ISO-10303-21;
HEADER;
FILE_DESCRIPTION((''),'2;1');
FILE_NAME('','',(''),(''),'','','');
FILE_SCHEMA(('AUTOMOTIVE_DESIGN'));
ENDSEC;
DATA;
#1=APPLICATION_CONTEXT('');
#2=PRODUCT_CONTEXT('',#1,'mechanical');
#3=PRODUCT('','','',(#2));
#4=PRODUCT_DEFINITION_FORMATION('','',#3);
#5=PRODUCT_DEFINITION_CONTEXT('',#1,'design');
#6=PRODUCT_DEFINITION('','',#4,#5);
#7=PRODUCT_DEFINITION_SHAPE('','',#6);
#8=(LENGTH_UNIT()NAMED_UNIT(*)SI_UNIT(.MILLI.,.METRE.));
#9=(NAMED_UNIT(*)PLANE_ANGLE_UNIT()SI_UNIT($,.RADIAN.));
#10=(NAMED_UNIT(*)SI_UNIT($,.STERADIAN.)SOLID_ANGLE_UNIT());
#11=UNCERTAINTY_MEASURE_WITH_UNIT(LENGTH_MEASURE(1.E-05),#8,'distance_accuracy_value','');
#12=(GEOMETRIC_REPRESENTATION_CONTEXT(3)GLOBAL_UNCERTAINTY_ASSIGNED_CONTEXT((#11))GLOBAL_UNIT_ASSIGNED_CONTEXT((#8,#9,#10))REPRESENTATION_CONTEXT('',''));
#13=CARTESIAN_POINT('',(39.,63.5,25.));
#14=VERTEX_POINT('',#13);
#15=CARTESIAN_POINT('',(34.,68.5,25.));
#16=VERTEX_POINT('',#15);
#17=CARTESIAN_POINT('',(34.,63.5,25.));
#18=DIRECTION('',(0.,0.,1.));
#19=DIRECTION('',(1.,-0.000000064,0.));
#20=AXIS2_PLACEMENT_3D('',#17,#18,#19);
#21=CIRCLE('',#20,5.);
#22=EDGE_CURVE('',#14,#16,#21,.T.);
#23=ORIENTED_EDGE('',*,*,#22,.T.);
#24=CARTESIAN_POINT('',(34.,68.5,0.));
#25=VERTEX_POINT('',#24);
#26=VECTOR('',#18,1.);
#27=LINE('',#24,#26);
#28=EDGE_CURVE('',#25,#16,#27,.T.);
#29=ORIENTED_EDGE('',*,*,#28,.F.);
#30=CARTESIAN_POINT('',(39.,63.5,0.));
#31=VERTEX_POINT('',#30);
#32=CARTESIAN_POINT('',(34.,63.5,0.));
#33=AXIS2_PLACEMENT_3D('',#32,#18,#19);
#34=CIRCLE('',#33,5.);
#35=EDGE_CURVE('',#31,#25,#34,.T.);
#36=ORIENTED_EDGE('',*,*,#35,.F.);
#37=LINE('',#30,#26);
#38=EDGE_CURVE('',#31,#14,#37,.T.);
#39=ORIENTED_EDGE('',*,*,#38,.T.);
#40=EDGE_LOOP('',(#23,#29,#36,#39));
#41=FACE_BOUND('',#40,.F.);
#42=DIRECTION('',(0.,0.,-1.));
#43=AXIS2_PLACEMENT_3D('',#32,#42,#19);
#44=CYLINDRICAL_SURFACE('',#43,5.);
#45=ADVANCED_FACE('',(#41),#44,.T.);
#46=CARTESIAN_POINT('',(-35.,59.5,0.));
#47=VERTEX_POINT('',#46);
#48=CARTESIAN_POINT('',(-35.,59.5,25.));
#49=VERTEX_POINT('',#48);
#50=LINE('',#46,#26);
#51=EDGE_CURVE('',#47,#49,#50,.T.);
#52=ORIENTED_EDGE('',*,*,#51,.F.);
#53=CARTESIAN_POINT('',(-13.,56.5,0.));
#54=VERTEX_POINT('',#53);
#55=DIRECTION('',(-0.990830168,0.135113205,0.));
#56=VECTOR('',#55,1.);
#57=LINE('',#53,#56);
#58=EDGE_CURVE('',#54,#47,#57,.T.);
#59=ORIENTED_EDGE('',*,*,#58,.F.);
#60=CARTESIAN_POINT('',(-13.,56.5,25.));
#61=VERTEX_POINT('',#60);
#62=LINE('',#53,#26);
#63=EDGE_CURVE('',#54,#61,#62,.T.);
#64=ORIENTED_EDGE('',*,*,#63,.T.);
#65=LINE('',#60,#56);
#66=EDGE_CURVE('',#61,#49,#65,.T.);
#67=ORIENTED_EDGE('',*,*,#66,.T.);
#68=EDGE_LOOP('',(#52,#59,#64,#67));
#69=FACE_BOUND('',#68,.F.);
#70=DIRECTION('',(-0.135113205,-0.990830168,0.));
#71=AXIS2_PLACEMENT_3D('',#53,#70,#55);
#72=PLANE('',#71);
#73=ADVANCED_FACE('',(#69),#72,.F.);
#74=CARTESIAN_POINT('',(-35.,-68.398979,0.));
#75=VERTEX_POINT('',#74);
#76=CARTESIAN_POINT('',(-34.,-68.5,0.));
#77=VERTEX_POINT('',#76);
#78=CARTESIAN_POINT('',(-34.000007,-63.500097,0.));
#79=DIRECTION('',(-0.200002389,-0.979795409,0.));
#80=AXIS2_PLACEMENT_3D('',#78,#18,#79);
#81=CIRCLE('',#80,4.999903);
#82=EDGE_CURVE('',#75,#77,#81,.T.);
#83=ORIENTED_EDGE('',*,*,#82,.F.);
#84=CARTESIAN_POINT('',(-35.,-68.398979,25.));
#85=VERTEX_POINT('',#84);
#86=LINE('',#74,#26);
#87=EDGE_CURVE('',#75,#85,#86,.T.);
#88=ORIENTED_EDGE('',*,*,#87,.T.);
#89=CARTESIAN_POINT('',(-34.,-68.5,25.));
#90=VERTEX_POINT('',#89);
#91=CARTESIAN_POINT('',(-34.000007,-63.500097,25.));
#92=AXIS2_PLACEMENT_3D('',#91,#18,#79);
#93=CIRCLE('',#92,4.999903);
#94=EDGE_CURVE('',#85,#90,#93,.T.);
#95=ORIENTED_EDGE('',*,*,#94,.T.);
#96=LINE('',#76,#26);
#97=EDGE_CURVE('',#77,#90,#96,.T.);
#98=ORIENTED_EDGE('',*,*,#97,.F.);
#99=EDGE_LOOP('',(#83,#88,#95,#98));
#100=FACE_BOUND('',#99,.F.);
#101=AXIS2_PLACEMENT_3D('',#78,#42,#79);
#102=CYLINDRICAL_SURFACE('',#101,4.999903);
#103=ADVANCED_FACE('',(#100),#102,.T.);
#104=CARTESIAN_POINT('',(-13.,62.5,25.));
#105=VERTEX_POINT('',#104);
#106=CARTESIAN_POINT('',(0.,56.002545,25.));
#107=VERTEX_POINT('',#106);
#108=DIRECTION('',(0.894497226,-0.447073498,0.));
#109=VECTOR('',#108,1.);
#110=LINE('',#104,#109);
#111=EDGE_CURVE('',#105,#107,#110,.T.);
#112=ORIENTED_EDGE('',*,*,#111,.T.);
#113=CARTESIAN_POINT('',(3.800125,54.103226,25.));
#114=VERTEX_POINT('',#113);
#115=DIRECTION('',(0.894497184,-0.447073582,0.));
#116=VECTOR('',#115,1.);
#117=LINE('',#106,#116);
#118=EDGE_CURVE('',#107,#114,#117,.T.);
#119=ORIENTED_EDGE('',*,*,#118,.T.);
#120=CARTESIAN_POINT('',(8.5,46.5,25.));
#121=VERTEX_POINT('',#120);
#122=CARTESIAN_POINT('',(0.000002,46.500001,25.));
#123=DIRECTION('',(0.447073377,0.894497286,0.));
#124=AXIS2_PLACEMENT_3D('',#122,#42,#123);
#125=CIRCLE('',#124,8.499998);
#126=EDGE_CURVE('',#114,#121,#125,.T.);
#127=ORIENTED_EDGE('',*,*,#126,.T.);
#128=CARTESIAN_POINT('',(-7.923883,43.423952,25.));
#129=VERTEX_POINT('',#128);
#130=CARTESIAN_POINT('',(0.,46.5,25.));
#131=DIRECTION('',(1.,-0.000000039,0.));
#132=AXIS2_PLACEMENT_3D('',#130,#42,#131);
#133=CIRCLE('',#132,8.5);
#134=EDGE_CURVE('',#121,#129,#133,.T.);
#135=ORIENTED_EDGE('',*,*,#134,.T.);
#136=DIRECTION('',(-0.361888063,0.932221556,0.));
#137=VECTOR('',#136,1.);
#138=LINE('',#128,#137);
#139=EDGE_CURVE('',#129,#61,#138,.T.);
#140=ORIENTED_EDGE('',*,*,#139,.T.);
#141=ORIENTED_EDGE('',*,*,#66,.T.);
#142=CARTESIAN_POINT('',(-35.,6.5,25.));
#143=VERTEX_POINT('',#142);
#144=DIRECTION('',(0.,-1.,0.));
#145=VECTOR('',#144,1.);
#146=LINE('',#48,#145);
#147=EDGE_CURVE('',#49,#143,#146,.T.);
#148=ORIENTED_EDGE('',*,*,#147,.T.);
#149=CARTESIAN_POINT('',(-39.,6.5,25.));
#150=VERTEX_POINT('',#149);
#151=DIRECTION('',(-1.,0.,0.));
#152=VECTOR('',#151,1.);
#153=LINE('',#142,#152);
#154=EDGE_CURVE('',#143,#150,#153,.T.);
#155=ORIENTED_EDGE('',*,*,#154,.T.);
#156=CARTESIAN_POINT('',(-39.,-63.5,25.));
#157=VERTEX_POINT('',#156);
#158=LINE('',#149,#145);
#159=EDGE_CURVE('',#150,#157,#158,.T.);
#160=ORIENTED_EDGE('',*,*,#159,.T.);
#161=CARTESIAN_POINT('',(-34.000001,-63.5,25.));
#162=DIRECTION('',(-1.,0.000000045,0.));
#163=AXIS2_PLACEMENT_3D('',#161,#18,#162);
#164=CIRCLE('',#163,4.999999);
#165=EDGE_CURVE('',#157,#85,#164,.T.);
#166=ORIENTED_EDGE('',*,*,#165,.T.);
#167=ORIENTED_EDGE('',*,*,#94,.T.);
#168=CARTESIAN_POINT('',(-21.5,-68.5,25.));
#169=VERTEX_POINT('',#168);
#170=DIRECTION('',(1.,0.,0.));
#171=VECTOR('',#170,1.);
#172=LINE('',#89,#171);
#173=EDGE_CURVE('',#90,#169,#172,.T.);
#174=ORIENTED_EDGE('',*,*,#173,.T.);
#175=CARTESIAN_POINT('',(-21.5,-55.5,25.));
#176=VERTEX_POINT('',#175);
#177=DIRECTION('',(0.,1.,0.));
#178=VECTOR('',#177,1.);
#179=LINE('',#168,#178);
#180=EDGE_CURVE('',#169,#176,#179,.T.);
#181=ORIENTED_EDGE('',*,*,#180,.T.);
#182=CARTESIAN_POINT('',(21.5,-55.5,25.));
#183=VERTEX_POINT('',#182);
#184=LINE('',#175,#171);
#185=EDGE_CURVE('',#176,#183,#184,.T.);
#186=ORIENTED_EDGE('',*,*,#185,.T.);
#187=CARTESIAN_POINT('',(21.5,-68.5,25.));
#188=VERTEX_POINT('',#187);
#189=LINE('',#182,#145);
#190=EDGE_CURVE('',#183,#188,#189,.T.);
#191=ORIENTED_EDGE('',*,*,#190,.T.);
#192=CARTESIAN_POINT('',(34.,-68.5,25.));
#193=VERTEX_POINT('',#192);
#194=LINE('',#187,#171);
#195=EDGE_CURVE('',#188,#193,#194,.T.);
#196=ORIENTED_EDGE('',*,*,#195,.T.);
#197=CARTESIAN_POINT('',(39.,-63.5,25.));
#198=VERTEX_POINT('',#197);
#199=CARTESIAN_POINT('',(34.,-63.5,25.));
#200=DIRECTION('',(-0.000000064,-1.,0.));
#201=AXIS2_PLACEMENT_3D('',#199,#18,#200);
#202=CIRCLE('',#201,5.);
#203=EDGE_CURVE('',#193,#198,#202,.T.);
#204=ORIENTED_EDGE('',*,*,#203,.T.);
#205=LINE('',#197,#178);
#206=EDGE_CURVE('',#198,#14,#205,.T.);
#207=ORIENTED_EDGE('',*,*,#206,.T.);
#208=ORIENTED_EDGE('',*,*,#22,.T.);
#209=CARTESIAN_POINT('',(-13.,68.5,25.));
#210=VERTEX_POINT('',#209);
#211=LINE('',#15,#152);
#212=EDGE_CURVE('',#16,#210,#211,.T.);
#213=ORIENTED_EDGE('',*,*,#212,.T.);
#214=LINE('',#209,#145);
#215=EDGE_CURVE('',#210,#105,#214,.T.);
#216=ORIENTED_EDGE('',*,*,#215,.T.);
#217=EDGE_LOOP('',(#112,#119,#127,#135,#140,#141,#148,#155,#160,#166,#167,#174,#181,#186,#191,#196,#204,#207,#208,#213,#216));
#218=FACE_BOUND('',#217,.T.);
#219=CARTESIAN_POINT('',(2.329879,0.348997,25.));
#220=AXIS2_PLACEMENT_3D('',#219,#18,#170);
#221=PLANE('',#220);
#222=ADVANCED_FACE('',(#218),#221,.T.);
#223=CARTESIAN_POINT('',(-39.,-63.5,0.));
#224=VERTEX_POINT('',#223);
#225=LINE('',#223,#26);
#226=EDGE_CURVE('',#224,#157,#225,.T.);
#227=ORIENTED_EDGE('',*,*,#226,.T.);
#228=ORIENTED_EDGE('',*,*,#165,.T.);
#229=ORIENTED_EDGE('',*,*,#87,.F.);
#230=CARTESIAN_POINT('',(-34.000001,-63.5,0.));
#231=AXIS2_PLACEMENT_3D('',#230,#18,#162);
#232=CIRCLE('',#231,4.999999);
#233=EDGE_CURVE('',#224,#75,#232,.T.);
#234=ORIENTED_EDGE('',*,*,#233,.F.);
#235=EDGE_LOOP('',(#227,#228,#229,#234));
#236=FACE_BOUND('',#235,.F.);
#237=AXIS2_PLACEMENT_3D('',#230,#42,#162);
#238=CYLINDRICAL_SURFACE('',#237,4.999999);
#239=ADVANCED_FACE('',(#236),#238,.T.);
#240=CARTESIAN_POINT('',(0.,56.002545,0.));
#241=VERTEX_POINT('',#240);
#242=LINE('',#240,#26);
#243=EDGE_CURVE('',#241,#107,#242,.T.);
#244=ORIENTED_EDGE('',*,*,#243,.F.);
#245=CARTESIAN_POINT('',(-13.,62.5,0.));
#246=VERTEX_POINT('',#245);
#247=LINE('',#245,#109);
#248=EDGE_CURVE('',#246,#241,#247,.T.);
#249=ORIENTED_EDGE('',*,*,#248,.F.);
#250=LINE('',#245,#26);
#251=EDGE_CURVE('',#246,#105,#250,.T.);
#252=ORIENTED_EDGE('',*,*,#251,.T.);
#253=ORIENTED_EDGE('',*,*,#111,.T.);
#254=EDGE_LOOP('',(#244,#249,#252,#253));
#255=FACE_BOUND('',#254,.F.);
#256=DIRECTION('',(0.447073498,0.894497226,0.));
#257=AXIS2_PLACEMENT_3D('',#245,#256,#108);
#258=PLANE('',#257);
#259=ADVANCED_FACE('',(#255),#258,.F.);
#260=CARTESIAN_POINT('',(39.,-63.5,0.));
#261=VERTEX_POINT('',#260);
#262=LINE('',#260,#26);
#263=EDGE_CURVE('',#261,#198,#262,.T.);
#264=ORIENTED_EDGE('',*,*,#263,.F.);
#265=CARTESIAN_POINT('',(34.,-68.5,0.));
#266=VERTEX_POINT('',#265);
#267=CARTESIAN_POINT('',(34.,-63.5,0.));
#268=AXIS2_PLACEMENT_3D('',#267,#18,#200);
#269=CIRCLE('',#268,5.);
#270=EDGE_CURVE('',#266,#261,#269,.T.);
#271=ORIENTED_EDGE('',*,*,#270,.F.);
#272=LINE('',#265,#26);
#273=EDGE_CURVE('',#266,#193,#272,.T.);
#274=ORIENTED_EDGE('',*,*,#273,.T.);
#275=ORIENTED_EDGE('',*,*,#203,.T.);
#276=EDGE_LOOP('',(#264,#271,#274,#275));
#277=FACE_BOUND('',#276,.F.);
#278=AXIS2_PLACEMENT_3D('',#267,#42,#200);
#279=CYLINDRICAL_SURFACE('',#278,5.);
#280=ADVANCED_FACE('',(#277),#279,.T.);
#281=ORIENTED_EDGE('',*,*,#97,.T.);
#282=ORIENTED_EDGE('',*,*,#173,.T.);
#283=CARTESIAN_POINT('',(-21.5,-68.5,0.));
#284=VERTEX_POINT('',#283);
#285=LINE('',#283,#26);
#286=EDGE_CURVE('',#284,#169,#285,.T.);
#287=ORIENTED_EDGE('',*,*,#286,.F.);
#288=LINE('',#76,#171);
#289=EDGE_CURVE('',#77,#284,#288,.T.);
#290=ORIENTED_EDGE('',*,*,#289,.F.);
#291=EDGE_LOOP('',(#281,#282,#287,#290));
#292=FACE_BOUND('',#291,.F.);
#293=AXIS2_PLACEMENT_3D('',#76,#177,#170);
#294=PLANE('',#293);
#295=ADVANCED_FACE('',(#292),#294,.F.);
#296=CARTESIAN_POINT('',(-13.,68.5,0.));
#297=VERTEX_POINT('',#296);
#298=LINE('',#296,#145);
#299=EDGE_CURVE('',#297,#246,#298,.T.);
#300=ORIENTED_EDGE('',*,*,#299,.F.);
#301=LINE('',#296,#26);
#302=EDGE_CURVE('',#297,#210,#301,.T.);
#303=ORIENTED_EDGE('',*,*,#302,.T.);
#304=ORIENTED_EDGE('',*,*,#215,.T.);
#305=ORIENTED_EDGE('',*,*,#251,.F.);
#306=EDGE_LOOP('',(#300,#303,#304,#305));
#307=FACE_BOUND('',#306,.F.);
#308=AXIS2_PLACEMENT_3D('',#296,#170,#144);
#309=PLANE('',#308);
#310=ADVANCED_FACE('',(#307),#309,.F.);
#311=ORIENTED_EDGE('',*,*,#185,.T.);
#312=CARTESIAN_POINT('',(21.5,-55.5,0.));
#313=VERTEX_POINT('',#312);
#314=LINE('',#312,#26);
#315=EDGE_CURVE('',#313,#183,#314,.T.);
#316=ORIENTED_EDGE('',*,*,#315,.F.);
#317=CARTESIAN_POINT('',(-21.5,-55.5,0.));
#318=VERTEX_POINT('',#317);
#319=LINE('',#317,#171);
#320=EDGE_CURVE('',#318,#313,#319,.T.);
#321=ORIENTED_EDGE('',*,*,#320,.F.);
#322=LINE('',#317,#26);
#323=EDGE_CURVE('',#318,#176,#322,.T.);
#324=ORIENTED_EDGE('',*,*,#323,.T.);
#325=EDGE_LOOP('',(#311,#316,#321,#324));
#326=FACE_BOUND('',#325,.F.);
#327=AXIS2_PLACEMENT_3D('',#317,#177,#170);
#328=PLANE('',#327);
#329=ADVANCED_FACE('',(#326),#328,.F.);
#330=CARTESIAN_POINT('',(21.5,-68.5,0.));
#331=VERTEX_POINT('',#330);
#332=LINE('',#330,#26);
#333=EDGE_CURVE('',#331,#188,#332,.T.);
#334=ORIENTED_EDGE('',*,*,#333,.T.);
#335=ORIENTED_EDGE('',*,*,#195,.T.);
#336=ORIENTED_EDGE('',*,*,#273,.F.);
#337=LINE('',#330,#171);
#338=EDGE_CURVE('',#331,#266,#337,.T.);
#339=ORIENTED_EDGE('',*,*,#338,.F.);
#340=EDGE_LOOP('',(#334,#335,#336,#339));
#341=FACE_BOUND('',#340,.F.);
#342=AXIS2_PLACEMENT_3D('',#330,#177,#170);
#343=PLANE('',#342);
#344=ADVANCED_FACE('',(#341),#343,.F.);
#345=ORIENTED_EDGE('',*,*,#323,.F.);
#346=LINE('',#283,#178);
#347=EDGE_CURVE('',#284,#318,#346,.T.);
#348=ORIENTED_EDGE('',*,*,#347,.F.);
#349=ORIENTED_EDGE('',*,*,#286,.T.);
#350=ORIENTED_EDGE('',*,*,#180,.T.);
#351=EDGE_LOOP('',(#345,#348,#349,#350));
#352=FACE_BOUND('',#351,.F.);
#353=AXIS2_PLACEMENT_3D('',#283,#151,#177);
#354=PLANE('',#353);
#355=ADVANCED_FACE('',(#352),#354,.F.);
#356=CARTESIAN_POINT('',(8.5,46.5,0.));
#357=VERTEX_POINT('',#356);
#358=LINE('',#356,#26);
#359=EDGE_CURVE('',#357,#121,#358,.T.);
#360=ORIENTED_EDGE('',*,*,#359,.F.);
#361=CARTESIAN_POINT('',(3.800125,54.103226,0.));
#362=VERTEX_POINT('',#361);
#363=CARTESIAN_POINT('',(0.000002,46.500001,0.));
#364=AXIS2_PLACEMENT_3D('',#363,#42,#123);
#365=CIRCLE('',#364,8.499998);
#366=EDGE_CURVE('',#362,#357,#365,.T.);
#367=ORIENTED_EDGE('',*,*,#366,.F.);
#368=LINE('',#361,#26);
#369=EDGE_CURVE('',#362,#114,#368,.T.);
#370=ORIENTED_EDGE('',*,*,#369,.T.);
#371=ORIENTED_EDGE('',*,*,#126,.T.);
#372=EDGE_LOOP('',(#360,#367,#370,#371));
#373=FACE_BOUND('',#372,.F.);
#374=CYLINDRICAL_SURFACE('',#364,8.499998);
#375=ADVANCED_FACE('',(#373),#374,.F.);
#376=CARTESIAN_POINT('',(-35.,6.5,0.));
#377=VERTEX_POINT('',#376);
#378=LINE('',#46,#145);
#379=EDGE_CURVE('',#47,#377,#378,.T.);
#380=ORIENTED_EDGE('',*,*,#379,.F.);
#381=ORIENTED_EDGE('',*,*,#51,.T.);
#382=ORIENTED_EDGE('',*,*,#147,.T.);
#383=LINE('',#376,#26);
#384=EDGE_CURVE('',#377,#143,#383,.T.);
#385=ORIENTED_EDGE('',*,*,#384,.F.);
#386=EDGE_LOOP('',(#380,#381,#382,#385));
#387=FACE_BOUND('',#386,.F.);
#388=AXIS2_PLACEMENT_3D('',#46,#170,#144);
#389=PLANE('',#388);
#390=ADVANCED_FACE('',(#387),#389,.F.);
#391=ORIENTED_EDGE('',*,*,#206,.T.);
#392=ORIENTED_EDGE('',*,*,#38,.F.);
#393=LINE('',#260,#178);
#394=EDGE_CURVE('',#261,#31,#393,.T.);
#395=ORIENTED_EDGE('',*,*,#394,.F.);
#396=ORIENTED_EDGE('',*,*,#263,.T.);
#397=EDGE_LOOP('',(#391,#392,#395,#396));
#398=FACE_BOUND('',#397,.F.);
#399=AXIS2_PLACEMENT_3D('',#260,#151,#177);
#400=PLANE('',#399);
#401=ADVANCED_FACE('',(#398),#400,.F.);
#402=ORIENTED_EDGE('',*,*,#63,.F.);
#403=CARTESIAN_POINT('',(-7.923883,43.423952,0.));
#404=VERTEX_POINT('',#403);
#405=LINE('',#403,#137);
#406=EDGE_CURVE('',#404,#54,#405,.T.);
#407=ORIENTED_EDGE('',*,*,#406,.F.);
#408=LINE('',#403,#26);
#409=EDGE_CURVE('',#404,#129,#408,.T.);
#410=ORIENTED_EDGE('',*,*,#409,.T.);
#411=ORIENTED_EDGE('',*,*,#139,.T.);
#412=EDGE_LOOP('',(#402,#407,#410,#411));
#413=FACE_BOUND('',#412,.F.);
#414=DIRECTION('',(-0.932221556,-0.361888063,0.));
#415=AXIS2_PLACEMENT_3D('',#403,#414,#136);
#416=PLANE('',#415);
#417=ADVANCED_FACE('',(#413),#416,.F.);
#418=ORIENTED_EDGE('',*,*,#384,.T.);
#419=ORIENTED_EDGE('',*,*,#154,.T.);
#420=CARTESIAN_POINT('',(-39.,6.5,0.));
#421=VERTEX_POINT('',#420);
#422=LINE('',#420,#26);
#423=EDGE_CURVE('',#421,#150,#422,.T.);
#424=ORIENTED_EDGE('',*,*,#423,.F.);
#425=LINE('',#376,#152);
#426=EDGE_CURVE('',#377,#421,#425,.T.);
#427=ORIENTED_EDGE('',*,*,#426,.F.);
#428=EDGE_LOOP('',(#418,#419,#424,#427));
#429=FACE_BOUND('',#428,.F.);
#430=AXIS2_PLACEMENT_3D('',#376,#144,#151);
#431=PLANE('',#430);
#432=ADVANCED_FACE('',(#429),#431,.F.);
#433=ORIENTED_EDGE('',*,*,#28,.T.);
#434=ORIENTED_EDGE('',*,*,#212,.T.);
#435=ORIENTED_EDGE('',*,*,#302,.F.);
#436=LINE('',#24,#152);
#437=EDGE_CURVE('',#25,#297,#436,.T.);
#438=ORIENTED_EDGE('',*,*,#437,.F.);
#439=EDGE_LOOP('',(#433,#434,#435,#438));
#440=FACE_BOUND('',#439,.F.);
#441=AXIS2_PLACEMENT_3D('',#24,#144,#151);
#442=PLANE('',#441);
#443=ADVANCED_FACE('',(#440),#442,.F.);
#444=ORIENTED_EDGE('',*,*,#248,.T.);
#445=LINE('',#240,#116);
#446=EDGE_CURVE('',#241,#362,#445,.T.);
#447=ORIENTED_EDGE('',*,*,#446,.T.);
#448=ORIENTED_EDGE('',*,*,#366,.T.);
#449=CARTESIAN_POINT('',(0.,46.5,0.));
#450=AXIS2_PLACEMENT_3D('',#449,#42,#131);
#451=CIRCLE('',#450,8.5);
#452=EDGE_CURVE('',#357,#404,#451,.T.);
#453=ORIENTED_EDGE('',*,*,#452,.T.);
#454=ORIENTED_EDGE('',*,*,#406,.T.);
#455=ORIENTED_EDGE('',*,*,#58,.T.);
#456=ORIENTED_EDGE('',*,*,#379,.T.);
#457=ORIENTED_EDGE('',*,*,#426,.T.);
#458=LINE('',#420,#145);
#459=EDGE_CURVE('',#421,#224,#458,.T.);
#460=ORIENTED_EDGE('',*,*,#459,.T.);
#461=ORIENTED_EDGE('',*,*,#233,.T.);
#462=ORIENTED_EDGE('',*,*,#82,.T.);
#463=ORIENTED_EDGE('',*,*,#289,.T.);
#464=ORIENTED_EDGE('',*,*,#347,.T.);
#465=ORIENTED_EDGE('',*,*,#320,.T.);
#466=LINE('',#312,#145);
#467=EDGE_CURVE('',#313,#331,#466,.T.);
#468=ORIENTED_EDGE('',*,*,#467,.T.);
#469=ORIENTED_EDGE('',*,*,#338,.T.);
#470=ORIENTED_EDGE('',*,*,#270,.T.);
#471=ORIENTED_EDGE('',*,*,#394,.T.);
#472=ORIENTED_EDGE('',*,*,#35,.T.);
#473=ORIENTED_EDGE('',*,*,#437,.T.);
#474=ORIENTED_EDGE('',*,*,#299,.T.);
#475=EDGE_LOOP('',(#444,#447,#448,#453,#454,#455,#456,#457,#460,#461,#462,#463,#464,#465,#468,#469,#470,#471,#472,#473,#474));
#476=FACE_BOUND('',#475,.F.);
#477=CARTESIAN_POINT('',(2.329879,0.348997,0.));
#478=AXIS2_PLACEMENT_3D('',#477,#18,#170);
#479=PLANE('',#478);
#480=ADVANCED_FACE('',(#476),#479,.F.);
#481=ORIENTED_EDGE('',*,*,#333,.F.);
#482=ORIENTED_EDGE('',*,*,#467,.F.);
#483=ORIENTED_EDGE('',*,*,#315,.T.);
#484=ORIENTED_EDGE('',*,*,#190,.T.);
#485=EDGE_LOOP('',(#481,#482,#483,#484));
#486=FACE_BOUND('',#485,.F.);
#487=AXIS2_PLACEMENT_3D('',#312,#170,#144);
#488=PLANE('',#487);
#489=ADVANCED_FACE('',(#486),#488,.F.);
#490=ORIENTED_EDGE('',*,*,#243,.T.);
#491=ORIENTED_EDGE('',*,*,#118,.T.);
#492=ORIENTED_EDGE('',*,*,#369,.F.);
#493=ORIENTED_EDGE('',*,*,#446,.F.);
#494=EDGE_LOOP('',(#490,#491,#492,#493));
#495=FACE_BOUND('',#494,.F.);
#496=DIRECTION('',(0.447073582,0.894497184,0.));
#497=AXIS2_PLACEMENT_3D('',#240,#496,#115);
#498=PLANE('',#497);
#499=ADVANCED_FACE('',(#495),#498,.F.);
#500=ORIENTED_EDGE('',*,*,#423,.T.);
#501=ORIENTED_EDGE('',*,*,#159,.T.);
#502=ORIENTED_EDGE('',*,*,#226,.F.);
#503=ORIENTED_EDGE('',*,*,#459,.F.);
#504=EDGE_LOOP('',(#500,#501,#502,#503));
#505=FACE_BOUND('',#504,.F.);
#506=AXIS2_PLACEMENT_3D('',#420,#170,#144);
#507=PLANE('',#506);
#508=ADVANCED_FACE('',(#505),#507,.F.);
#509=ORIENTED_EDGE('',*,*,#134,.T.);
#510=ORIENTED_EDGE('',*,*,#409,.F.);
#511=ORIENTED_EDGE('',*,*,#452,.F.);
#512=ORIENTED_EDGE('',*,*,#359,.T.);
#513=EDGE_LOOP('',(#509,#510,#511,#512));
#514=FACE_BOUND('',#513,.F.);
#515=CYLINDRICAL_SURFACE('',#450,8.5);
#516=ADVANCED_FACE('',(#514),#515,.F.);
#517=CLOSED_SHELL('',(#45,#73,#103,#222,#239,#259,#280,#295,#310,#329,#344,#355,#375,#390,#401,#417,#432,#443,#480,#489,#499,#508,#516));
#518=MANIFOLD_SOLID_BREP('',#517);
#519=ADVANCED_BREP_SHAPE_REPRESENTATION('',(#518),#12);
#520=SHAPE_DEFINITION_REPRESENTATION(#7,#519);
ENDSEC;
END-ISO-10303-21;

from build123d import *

# Parameters (mm, degrees)
F1_DEPTH = 25


with BuildPart() as f1:
    # F0 (on Top) → F1 (new body)
    with BuildSketch(Plane.XY):
        with BuildLine():
            Line((21.5, -68.5), (34, -68.5))
            ThreePointArc((34, -68.5), (37.535534, -67.035534), (39, -63.5))
            Line((39, -63.5), (39, 63.5))
            ThreePointArc((39, 63.5), (37.535534, 67.035534), (34, 68.5))
            Line((34, 68.5), (0, 68.5))
            Line((0, 68.5), (0, 56.002545))
            Line((0, 56.002545), (3.800125, 54.103226))
            ThreePointArc((3.800125, 54.103226), (7.230182, 50.969281), (8.5, 46.5))
            ThreePointArc((8.5, 46.5), (1.564767, 38.145271), (-7.923883, 43.423952))
            Line((-7.923883, 43.423952), (-13, 56.5))
            Line((-13, 56.5), (-35, 56.5))
            Line((-35, 56.5), (-35, 6.5))
            Line((-35, 6.5), (-35, -45.640428))
            Line((-35, -45.640428), (-35, -68.398979))
            ThreePointArc((-35, -68.398979), (-34.502545, -68.474681), (-34, -68.5))
            Line((-34, -68.5), (-30, -68.5))
            Line((-30, -68.5), (-21.5, -68.5))
            Line((-21.5, -68.5), (-21.5, -55.5))
            Line((-21.5, -55.5), (21.5, -55.5))
            Line((21.5, -55.5), (21.5, -68.5))
        make_face()
        with BuildLine():
            ThreePointArc((-39, -63.5), (-37.872983, -66.662278), (-35, -68.398979))
            Line((-35, -68.398979), (-35, -45.640428))
            Line((-35, -45.640428), (-35, 6.5))
            Line((-35, 6.5), (-39, 6.5))
            Line((-39, 6.5), (-39, -63.5))
        make_face()
        Polygon((0, 56.002545), (0, 68.5), (-13, 68.5), (-13, 62.5), align=None)
        Polygon((-35, 56.5), (-13, 56.5), (-35, 59.5), align=None)
    extrude(amount=F1_DEPTH)


solid = f1.part
